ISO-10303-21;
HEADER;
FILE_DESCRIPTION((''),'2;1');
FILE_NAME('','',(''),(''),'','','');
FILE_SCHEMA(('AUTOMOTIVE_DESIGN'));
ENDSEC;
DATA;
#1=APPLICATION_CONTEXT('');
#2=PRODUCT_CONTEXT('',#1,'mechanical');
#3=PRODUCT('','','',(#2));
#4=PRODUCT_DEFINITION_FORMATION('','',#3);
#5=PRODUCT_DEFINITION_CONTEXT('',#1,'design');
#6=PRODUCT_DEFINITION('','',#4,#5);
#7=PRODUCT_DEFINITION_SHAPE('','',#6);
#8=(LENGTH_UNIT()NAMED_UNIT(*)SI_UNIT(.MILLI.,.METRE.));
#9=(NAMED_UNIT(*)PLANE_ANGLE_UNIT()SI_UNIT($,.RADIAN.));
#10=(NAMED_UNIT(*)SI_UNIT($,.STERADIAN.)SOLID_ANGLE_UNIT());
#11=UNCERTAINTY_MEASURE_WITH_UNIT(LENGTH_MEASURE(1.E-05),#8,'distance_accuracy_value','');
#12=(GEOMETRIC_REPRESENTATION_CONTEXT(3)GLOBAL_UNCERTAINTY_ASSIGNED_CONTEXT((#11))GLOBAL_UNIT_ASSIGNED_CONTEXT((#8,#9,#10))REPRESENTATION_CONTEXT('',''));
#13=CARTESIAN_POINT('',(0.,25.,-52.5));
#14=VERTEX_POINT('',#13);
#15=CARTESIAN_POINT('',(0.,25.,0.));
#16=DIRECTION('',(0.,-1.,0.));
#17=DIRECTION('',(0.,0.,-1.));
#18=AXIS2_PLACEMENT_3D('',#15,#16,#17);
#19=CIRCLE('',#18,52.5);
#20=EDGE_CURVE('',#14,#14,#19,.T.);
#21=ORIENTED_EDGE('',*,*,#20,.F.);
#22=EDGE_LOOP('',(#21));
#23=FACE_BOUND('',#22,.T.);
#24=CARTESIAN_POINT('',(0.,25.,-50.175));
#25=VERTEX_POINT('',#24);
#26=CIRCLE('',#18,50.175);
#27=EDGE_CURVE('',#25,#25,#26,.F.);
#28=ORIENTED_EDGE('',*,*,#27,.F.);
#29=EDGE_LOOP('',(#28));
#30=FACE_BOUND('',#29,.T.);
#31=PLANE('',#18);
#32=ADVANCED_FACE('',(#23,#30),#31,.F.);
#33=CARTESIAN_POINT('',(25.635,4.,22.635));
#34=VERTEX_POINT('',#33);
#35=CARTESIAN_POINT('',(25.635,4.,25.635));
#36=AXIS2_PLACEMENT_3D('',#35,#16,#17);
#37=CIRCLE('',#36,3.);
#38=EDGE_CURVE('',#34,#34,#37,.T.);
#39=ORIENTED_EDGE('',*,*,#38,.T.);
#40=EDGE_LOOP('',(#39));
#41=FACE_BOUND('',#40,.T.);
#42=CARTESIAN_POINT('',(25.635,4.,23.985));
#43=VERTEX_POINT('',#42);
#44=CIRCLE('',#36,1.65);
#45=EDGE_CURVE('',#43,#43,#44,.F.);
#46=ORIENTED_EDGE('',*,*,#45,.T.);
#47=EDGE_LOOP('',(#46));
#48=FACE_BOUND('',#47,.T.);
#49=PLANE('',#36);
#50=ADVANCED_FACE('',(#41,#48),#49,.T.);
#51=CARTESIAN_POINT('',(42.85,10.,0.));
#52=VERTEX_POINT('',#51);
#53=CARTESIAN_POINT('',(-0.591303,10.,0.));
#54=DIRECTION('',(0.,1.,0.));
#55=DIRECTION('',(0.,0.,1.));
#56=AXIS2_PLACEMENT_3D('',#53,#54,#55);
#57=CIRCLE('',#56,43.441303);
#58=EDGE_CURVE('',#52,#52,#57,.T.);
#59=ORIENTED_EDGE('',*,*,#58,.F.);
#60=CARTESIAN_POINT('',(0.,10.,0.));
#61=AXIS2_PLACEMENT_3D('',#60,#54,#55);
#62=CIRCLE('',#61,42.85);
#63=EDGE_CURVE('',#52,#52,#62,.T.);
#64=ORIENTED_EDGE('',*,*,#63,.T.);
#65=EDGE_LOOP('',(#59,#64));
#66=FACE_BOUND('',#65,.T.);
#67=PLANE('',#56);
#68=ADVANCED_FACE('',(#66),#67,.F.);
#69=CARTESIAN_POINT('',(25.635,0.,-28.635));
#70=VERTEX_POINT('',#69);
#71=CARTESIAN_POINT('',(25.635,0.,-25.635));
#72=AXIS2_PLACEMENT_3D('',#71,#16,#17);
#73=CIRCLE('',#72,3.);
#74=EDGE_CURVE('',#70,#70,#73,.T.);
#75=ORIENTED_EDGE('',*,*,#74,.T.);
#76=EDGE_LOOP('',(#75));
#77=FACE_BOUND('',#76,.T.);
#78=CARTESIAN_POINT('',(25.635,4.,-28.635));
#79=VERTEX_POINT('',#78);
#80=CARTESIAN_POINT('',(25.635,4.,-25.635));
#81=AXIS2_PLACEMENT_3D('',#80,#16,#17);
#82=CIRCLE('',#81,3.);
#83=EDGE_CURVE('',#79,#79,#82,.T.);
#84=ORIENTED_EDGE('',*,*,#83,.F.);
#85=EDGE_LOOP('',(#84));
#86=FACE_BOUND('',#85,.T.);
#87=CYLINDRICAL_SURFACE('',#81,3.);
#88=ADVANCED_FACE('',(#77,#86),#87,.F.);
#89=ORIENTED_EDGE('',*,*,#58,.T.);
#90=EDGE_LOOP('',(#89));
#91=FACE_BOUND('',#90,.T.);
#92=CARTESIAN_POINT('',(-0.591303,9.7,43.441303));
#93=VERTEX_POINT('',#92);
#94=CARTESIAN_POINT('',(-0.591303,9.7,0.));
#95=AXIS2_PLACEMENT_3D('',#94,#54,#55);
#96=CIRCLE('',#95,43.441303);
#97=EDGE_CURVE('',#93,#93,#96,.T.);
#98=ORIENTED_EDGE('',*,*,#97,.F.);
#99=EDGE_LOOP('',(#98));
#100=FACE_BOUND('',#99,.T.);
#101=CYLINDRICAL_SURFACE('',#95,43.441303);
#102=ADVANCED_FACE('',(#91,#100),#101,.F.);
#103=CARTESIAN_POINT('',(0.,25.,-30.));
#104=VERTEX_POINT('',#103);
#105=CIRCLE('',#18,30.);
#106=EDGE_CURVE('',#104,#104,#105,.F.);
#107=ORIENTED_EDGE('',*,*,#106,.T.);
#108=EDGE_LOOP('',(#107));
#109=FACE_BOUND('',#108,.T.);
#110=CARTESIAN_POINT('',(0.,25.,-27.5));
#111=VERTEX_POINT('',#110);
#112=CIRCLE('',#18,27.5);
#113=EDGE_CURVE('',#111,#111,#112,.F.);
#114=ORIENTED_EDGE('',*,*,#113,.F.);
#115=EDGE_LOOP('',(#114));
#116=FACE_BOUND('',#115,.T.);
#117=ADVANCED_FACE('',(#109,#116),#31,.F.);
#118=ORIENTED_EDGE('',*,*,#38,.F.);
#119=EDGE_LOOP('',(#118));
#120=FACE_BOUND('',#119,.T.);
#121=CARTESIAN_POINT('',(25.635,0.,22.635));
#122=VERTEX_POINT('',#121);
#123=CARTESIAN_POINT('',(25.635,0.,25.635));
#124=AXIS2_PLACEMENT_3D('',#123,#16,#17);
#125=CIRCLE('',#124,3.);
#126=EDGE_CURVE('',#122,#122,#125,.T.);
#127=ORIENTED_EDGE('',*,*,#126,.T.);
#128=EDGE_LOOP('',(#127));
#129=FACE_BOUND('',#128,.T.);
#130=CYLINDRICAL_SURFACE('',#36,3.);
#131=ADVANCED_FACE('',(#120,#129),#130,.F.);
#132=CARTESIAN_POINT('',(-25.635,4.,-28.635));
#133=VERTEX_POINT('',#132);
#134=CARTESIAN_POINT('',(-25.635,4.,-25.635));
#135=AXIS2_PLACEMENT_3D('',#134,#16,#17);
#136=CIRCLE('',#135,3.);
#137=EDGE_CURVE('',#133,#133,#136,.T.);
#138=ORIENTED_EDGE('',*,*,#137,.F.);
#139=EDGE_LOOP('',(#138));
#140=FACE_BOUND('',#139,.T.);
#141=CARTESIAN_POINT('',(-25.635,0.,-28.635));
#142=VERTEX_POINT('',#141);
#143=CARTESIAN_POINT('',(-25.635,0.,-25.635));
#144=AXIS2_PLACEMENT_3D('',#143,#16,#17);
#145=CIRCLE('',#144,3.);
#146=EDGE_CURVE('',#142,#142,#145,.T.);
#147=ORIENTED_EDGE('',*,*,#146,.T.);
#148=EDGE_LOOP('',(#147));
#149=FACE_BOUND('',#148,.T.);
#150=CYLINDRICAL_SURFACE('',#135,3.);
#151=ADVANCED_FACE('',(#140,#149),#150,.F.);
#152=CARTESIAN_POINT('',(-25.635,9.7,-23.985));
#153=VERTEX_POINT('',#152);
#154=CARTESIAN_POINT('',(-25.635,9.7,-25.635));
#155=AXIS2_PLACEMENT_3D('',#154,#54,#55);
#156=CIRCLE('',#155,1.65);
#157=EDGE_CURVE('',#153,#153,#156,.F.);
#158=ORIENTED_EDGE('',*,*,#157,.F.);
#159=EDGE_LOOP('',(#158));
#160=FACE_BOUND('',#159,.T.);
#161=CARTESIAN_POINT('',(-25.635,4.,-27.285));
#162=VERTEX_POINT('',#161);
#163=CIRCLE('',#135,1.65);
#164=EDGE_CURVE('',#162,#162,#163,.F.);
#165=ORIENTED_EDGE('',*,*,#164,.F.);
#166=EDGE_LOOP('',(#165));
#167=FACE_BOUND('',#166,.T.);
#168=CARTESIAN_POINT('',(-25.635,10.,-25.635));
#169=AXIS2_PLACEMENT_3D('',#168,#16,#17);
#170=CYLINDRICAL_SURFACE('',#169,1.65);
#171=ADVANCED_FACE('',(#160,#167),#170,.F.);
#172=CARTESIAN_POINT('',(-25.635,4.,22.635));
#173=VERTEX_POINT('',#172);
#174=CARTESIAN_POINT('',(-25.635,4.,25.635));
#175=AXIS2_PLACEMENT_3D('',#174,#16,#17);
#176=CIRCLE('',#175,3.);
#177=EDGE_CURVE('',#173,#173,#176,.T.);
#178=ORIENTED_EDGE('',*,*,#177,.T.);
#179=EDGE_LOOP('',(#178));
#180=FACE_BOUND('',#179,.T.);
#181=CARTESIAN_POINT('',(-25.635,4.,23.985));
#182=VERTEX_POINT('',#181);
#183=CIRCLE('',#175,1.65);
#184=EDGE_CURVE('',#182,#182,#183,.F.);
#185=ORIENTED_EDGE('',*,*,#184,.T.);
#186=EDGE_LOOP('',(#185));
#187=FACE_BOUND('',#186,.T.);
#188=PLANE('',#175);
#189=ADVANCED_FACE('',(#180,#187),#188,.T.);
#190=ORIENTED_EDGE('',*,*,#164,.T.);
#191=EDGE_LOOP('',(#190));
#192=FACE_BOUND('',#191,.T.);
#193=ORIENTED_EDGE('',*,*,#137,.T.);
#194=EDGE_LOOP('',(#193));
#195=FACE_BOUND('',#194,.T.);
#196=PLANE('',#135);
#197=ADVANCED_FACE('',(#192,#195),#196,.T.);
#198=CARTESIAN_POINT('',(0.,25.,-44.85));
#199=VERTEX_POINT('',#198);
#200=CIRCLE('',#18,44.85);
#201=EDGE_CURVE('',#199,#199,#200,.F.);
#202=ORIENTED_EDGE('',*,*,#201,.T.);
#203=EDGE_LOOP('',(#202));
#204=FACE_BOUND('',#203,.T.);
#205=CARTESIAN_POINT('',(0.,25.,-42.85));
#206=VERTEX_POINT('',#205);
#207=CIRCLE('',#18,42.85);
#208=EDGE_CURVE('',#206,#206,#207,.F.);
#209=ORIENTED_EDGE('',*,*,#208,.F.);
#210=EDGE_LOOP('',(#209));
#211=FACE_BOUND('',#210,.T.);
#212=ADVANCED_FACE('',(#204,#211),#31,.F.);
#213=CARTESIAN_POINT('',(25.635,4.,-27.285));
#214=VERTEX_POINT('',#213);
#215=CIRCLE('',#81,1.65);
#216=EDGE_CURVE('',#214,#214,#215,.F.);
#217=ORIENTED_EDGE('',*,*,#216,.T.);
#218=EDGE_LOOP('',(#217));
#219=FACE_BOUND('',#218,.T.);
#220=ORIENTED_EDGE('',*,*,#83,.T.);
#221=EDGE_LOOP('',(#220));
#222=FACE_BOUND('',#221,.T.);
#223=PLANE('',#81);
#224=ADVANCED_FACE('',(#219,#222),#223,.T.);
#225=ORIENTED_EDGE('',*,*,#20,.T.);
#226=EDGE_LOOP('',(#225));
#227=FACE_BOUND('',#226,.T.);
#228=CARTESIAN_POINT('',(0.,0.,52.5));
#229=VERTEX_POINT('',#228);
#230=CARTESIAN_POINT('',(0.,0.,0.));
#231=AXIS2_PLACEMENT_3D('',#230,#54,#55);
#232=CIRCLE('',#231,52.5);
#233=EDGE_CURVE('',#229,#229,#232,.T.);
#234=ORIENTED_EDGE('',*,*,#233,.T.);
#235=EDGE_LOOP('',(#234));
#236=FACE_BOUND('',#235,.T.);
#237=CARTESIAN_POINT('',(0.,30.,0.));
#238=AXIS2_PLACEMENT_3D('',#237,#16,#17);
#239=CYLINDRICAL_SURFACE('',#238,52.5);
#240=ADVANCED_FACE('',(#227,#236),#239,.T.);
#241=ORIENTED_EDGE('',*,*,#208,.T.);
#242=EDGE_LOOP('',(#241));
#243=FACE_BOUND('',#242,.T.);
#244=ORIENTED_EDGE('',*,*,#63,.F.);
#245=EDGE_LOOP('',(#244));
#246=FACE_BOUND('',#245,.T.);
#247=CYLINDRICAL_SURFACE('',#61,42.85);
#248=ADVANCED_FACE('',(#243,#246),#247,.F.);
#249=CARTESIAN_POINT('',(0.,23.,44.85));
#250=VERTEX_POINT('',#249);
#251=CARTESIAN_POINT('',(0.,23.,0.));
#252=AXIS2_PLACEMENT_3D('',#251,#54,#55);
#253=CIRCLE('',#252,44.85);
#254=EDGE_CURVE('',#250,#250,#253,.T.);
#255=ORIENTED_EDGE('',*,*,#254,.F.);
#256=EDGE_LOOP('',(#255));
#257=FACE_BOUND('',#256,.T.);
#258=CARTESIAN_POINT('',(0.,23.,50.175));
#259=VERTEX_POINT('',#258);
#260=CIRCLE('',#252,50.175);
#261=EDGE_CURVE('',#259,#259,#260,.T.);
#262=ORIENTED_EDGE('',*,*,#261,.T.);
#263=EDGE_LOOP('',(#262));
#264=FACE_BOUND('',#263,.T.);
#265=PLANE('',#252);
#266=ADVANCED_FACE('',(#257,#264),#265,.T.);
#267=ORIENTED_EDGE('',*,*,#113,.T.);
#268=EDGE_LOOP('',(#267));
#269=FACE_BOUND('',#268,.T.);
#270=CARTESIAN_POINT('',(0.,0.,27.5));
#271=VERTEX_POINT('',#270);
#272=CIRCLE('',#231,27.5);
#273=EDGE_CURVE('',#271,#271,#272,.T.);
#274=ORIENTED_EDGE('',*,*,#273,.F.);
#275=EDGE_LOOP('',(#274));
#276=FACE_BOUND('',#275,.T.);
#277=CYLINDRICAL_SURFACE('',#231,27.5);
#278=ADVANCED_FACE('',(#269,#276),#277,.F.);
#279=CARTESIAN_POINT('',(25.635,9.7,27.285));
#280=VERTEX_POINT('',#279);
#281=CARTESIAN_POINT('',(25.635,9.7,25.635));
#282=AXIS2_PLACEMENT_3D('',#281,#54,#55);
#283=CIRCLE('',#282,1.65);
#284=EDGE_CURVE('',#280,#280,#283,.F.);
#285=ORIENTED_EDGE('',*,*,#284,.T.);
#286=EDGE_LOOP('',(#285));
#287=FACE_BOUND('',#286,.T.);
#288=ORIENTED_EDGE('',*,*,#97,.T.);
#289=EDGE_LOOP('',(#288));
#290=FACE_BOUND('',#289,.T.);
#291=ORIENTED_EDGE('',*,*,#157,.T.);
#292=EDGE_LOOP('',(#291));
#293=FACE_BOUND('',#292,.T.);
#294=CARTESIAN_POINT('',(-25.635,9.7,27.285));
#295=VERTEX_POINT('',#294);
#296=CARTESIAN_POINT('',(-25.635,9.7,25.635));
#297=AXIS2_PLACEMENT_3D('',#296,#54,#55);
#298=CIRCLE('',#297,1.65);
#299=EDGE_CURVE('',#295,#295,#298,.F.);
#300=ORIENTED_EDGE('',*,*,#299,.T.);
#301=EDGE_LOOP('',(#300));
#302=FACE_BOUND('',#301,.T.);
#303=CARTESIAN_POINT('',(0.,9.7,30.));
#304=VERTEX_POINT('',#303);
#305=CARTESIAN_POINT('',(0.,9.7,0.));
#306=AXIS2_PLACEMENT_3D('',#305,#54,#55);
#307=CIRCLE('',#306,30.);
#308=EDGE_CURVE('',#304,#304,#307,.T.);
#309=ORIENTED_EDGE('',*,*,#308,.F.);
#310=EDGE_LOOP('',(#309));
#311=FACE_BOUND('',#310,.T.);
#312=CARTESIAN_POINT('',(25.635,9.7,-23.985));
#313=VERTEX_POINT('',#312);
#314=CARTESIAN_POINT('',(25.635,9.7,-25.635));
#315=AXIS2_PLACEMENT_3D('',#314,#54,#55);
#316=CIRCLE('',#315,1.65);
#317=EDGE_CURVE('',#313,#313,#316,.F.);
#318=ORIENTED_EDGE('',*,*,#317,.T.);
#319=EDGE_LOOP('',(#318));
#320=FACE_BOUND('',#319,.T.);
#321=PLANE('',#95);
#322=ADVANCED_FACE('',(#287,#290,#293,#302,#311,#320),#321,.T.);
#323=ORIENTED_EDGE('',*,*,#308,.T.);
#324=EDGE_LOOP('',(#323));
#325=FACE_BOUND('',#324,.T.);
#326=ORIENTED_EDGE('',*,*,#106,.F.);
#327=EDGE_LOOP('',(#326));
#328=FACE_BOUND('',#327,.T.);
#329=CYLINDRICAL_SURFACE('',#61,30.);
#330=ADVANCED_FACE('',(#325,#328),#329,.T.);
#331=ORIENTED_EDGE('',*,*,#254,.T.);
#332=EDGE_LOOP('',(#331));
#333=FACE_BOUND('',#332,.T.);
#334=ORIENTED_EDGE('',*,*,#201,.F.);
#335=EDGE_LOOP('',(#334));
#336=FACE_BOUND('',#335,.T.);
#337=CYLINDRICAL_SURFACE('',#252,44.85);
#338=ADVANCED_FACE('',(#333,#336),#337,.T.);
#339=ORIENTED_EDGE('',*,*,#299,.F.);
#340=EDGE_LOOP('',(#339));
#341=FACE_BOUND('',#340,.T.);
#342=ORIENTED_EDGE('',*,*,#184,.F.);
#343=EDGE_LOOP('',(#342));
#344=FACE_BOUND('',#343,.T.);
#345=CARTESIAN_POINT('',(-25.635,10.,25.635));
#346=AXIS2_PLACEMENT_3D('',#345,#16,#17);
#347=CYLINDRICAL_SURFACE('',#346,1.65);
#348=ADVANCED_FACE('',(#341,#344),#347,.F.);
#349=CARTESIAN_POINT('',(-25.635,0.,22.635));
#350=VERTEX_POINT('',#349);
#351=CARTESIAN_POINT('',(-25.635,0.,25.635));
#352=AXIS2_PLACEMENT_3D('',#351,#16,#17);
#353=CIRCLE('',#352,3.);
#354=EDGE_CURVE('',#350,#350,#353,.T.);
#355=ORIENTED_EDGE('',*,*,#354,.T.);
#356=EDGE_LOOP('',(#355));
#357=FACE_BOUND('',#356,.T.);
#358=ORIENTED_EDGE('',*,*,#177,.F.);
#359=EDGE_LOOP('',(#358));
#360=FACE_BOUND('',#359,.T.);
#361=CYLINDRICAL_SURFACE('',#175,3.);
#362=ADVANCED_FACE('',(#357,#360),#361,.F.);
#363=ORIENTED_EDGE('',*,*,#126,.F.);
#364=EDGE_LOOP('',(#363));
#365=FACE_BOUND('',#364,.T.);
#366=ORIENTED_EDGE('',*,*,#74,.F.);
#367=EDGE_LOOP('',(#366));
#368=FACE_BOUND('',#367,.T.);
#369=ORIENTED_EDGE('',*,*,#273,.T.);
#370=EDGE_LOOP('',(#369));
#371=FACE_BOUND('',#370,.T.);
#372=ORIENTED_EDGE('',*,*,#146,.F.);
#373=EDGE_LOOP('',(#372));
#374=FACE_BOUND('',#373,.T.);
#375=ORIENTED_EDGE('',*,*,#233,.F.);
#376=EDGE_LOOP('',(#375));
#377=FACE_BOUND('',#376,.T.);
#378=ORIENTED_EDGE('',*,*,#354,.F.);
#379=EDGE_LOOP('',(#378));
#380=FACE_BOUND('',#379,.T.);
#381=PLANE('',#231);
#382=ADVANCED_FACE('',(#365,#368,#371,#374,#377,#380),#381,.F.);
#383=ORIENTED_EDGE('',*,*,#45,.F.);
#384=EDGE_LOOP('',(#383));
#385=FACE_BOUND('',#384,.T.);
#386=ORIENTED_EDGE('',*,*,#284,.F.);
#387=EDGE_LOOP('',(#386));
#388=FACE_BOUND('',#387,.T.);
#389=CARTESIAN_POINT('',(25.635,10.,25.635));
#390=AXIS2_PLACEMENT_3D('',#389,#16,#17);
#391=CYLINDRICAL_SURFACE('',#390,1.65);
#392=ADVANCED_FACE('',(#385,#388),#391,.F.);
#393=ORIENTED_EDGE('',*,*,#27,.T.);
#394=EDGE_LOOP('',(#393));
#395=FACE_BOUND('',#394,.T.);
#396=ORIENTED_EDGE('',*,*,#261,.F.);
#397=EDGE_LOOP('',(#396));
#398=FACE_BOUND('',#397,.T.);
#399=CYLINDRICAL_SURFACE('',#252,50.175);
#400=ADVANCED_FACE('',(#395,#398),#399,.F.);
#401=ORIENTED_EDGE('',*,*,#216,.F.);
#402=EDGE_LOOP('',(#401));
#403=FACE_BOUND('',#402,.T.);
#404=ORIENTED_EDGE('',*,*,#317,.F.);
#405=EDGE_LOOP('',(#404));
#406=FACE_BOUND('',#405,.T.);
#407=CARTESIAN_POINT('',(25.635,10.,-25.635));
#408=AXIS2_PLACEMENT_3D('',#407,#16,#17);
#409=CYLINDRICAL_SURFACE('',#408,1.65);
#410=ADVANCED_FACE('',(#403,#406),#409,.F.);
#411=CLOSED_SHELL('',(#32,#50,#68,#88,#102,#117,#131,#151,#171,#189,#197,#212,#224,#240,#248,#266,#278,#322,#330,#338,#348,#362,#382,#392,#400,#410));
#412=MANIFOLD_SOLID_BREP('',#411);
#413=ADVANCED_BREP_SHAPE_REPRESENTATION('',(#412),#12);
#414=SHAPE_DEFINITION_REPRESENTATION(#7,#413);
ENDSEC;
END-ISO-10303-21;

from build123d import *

# Parameters (mm, degrees)
SKETCH1_R           = 52.5
BOSS_EXTRUDE1_DEPTH = 30
SKETCH2_R           = 50.175
SKETCH2_R_2         = 44.85
CUT_EXTRUDE1_DEPTH  = 7
SKETCH3_R           = 42.85
SKETCH3_R_2         = 30
CUT_EXTRUDE2_DEPTH  = 20
SKETCH6_R           = 27.5
CUT_EXTRUDE6_DEPTH  = 81.07808689
SKETCH9_R           = 1.65
CUT_EXTRUDE7_DEPTH  = 10
SKETCH10_R          = 3
CUT_EXTRUDE8_DEPTH  = 4
SKETCH12_W          = 130.559751652
SKETCH12_H          = 125.592804578
CUT_EXTRUDE9_DEPTH  = 5
SKETCH13_R          = 43.441303223
SKETCH13_R_2        = 30
CUT_EXTRUDE10_DEPTH = 0.3


with BuildPart() as part:
    # Sketch1 → Boss-Extrude1 (new body)
    with BuildSketch(Plane(origin=(0, 0, 0), x_dir=(1, 0, 0), z_dir=(0, 1, 0))):
        Circle(SKETCH1_R)
    extrude(amount=BOSS_EXTRUDE1_DEPTH)

    # Sketch2 → Cut-Extrude1 (cut)
    with BuildSketch(Plane(origin=(0, 30, 0), x_dir=(1, 0, 0), z_dir=(0, 1, 0))):
        Circle(SKETCH2_R)
        Circle(SKETCH2_R_2, mode=Mode.SUBTRACT)
    extrude(amount=-CUT_EXTRUDE1_DEPTH, mode=Mode.SUBTRACT)

    # Sketch3 → Cut-Extrude2 (cut)
    with BuildSketch(Plane(origin=(0, 30, 0), x_dir=(1, 0, 0), z_dir=(0, 1, 0))):
        Circle(SKETCH3_R)
        Circle(SKETCH3_R_2, mode=Mode.SUBTRACT)
    extrude(amount=-CUT_EXTRUDE2_DEPTH, mode=Mode.SUBTRACT)

    # Sketch6 → Cut-Extrude6 (cut, through all)
    with BuildSketch(Plane(origin=(0, 30, 0), x_dir=(1, 0, 0), z_dir=(0, 1, 0))):
        Circle(SKETCH6_R)
    extrude(amount=-CUT_EXTRUDE6_DEPTH, mode=Mode.SUBTRACT)

    # Sketch9 → Cut-Extrude7 (cut)
    with BuildSketch(Plane.XZ):
        with Locations((-25.635, 25.635)):
            Circle(SKETCH9_R)
        with Locations((25.635, 25.635)):
            Circle(SKETCH9_R)
        with Locations((25.635, -25.635)):
            Circle(SKETCH9_R)
        with Locations((-25.635, -25.635)):
            Circle(SKETCH9_R)
    extrude(amount=-CUT_EXTRUDE7_DEPTH, mode=Mode.SUBTRACT)

    # Sketch10 → Cut-Extrude8 (cut)
    with BuildSketch(Plane.XZ):
        with Locations((-25.635, 25.635)):
            Circle(SKETCH10_R)
        with Locations((25.635, 25.635)):
            Circle(SKETCH10_R)
        with Locations((25.635, -25.635)):
            Circle(SKETCH10_R)
        with Locations((-25.635, -25.635)):
            Circle(SKETCH10_R)
    extrude(amount=-CUT_EXTRUDE8_DEPTH, mode=Mode.SUBTRACT)

    # Sketch12 → Cut-Extrude9 (cut)
    with BuildSketch(Plane(origin=(0, 30, 0), x_dir=(1, 0, 0), z_dir=(0, 1, 0))):
        Rectangle(SKETCH12_W, SKETCH12_H)
    extrude(amount=-CUT_EXTRUDE9_DEPTH, mode=Mode.SUBTRACT)

    # Sketch13 → Cut-Extrude10 (cut)
    with BuildSketch(Plane(origin=(0, 10, 0), x_dir=(1, 0, 0), z_dir=(0, 1, 0))):
        with Locations((-0.591303223, 0)):
            Circle(SKETCH13_R)
        Circle(SKETCH13_R_2, mode=Mode.SUBTRACT)
    extrude(amount=-CUT_EXTRUDE10_DEPTH, mode=Mode.SUBTRACT)


solid = part.part
